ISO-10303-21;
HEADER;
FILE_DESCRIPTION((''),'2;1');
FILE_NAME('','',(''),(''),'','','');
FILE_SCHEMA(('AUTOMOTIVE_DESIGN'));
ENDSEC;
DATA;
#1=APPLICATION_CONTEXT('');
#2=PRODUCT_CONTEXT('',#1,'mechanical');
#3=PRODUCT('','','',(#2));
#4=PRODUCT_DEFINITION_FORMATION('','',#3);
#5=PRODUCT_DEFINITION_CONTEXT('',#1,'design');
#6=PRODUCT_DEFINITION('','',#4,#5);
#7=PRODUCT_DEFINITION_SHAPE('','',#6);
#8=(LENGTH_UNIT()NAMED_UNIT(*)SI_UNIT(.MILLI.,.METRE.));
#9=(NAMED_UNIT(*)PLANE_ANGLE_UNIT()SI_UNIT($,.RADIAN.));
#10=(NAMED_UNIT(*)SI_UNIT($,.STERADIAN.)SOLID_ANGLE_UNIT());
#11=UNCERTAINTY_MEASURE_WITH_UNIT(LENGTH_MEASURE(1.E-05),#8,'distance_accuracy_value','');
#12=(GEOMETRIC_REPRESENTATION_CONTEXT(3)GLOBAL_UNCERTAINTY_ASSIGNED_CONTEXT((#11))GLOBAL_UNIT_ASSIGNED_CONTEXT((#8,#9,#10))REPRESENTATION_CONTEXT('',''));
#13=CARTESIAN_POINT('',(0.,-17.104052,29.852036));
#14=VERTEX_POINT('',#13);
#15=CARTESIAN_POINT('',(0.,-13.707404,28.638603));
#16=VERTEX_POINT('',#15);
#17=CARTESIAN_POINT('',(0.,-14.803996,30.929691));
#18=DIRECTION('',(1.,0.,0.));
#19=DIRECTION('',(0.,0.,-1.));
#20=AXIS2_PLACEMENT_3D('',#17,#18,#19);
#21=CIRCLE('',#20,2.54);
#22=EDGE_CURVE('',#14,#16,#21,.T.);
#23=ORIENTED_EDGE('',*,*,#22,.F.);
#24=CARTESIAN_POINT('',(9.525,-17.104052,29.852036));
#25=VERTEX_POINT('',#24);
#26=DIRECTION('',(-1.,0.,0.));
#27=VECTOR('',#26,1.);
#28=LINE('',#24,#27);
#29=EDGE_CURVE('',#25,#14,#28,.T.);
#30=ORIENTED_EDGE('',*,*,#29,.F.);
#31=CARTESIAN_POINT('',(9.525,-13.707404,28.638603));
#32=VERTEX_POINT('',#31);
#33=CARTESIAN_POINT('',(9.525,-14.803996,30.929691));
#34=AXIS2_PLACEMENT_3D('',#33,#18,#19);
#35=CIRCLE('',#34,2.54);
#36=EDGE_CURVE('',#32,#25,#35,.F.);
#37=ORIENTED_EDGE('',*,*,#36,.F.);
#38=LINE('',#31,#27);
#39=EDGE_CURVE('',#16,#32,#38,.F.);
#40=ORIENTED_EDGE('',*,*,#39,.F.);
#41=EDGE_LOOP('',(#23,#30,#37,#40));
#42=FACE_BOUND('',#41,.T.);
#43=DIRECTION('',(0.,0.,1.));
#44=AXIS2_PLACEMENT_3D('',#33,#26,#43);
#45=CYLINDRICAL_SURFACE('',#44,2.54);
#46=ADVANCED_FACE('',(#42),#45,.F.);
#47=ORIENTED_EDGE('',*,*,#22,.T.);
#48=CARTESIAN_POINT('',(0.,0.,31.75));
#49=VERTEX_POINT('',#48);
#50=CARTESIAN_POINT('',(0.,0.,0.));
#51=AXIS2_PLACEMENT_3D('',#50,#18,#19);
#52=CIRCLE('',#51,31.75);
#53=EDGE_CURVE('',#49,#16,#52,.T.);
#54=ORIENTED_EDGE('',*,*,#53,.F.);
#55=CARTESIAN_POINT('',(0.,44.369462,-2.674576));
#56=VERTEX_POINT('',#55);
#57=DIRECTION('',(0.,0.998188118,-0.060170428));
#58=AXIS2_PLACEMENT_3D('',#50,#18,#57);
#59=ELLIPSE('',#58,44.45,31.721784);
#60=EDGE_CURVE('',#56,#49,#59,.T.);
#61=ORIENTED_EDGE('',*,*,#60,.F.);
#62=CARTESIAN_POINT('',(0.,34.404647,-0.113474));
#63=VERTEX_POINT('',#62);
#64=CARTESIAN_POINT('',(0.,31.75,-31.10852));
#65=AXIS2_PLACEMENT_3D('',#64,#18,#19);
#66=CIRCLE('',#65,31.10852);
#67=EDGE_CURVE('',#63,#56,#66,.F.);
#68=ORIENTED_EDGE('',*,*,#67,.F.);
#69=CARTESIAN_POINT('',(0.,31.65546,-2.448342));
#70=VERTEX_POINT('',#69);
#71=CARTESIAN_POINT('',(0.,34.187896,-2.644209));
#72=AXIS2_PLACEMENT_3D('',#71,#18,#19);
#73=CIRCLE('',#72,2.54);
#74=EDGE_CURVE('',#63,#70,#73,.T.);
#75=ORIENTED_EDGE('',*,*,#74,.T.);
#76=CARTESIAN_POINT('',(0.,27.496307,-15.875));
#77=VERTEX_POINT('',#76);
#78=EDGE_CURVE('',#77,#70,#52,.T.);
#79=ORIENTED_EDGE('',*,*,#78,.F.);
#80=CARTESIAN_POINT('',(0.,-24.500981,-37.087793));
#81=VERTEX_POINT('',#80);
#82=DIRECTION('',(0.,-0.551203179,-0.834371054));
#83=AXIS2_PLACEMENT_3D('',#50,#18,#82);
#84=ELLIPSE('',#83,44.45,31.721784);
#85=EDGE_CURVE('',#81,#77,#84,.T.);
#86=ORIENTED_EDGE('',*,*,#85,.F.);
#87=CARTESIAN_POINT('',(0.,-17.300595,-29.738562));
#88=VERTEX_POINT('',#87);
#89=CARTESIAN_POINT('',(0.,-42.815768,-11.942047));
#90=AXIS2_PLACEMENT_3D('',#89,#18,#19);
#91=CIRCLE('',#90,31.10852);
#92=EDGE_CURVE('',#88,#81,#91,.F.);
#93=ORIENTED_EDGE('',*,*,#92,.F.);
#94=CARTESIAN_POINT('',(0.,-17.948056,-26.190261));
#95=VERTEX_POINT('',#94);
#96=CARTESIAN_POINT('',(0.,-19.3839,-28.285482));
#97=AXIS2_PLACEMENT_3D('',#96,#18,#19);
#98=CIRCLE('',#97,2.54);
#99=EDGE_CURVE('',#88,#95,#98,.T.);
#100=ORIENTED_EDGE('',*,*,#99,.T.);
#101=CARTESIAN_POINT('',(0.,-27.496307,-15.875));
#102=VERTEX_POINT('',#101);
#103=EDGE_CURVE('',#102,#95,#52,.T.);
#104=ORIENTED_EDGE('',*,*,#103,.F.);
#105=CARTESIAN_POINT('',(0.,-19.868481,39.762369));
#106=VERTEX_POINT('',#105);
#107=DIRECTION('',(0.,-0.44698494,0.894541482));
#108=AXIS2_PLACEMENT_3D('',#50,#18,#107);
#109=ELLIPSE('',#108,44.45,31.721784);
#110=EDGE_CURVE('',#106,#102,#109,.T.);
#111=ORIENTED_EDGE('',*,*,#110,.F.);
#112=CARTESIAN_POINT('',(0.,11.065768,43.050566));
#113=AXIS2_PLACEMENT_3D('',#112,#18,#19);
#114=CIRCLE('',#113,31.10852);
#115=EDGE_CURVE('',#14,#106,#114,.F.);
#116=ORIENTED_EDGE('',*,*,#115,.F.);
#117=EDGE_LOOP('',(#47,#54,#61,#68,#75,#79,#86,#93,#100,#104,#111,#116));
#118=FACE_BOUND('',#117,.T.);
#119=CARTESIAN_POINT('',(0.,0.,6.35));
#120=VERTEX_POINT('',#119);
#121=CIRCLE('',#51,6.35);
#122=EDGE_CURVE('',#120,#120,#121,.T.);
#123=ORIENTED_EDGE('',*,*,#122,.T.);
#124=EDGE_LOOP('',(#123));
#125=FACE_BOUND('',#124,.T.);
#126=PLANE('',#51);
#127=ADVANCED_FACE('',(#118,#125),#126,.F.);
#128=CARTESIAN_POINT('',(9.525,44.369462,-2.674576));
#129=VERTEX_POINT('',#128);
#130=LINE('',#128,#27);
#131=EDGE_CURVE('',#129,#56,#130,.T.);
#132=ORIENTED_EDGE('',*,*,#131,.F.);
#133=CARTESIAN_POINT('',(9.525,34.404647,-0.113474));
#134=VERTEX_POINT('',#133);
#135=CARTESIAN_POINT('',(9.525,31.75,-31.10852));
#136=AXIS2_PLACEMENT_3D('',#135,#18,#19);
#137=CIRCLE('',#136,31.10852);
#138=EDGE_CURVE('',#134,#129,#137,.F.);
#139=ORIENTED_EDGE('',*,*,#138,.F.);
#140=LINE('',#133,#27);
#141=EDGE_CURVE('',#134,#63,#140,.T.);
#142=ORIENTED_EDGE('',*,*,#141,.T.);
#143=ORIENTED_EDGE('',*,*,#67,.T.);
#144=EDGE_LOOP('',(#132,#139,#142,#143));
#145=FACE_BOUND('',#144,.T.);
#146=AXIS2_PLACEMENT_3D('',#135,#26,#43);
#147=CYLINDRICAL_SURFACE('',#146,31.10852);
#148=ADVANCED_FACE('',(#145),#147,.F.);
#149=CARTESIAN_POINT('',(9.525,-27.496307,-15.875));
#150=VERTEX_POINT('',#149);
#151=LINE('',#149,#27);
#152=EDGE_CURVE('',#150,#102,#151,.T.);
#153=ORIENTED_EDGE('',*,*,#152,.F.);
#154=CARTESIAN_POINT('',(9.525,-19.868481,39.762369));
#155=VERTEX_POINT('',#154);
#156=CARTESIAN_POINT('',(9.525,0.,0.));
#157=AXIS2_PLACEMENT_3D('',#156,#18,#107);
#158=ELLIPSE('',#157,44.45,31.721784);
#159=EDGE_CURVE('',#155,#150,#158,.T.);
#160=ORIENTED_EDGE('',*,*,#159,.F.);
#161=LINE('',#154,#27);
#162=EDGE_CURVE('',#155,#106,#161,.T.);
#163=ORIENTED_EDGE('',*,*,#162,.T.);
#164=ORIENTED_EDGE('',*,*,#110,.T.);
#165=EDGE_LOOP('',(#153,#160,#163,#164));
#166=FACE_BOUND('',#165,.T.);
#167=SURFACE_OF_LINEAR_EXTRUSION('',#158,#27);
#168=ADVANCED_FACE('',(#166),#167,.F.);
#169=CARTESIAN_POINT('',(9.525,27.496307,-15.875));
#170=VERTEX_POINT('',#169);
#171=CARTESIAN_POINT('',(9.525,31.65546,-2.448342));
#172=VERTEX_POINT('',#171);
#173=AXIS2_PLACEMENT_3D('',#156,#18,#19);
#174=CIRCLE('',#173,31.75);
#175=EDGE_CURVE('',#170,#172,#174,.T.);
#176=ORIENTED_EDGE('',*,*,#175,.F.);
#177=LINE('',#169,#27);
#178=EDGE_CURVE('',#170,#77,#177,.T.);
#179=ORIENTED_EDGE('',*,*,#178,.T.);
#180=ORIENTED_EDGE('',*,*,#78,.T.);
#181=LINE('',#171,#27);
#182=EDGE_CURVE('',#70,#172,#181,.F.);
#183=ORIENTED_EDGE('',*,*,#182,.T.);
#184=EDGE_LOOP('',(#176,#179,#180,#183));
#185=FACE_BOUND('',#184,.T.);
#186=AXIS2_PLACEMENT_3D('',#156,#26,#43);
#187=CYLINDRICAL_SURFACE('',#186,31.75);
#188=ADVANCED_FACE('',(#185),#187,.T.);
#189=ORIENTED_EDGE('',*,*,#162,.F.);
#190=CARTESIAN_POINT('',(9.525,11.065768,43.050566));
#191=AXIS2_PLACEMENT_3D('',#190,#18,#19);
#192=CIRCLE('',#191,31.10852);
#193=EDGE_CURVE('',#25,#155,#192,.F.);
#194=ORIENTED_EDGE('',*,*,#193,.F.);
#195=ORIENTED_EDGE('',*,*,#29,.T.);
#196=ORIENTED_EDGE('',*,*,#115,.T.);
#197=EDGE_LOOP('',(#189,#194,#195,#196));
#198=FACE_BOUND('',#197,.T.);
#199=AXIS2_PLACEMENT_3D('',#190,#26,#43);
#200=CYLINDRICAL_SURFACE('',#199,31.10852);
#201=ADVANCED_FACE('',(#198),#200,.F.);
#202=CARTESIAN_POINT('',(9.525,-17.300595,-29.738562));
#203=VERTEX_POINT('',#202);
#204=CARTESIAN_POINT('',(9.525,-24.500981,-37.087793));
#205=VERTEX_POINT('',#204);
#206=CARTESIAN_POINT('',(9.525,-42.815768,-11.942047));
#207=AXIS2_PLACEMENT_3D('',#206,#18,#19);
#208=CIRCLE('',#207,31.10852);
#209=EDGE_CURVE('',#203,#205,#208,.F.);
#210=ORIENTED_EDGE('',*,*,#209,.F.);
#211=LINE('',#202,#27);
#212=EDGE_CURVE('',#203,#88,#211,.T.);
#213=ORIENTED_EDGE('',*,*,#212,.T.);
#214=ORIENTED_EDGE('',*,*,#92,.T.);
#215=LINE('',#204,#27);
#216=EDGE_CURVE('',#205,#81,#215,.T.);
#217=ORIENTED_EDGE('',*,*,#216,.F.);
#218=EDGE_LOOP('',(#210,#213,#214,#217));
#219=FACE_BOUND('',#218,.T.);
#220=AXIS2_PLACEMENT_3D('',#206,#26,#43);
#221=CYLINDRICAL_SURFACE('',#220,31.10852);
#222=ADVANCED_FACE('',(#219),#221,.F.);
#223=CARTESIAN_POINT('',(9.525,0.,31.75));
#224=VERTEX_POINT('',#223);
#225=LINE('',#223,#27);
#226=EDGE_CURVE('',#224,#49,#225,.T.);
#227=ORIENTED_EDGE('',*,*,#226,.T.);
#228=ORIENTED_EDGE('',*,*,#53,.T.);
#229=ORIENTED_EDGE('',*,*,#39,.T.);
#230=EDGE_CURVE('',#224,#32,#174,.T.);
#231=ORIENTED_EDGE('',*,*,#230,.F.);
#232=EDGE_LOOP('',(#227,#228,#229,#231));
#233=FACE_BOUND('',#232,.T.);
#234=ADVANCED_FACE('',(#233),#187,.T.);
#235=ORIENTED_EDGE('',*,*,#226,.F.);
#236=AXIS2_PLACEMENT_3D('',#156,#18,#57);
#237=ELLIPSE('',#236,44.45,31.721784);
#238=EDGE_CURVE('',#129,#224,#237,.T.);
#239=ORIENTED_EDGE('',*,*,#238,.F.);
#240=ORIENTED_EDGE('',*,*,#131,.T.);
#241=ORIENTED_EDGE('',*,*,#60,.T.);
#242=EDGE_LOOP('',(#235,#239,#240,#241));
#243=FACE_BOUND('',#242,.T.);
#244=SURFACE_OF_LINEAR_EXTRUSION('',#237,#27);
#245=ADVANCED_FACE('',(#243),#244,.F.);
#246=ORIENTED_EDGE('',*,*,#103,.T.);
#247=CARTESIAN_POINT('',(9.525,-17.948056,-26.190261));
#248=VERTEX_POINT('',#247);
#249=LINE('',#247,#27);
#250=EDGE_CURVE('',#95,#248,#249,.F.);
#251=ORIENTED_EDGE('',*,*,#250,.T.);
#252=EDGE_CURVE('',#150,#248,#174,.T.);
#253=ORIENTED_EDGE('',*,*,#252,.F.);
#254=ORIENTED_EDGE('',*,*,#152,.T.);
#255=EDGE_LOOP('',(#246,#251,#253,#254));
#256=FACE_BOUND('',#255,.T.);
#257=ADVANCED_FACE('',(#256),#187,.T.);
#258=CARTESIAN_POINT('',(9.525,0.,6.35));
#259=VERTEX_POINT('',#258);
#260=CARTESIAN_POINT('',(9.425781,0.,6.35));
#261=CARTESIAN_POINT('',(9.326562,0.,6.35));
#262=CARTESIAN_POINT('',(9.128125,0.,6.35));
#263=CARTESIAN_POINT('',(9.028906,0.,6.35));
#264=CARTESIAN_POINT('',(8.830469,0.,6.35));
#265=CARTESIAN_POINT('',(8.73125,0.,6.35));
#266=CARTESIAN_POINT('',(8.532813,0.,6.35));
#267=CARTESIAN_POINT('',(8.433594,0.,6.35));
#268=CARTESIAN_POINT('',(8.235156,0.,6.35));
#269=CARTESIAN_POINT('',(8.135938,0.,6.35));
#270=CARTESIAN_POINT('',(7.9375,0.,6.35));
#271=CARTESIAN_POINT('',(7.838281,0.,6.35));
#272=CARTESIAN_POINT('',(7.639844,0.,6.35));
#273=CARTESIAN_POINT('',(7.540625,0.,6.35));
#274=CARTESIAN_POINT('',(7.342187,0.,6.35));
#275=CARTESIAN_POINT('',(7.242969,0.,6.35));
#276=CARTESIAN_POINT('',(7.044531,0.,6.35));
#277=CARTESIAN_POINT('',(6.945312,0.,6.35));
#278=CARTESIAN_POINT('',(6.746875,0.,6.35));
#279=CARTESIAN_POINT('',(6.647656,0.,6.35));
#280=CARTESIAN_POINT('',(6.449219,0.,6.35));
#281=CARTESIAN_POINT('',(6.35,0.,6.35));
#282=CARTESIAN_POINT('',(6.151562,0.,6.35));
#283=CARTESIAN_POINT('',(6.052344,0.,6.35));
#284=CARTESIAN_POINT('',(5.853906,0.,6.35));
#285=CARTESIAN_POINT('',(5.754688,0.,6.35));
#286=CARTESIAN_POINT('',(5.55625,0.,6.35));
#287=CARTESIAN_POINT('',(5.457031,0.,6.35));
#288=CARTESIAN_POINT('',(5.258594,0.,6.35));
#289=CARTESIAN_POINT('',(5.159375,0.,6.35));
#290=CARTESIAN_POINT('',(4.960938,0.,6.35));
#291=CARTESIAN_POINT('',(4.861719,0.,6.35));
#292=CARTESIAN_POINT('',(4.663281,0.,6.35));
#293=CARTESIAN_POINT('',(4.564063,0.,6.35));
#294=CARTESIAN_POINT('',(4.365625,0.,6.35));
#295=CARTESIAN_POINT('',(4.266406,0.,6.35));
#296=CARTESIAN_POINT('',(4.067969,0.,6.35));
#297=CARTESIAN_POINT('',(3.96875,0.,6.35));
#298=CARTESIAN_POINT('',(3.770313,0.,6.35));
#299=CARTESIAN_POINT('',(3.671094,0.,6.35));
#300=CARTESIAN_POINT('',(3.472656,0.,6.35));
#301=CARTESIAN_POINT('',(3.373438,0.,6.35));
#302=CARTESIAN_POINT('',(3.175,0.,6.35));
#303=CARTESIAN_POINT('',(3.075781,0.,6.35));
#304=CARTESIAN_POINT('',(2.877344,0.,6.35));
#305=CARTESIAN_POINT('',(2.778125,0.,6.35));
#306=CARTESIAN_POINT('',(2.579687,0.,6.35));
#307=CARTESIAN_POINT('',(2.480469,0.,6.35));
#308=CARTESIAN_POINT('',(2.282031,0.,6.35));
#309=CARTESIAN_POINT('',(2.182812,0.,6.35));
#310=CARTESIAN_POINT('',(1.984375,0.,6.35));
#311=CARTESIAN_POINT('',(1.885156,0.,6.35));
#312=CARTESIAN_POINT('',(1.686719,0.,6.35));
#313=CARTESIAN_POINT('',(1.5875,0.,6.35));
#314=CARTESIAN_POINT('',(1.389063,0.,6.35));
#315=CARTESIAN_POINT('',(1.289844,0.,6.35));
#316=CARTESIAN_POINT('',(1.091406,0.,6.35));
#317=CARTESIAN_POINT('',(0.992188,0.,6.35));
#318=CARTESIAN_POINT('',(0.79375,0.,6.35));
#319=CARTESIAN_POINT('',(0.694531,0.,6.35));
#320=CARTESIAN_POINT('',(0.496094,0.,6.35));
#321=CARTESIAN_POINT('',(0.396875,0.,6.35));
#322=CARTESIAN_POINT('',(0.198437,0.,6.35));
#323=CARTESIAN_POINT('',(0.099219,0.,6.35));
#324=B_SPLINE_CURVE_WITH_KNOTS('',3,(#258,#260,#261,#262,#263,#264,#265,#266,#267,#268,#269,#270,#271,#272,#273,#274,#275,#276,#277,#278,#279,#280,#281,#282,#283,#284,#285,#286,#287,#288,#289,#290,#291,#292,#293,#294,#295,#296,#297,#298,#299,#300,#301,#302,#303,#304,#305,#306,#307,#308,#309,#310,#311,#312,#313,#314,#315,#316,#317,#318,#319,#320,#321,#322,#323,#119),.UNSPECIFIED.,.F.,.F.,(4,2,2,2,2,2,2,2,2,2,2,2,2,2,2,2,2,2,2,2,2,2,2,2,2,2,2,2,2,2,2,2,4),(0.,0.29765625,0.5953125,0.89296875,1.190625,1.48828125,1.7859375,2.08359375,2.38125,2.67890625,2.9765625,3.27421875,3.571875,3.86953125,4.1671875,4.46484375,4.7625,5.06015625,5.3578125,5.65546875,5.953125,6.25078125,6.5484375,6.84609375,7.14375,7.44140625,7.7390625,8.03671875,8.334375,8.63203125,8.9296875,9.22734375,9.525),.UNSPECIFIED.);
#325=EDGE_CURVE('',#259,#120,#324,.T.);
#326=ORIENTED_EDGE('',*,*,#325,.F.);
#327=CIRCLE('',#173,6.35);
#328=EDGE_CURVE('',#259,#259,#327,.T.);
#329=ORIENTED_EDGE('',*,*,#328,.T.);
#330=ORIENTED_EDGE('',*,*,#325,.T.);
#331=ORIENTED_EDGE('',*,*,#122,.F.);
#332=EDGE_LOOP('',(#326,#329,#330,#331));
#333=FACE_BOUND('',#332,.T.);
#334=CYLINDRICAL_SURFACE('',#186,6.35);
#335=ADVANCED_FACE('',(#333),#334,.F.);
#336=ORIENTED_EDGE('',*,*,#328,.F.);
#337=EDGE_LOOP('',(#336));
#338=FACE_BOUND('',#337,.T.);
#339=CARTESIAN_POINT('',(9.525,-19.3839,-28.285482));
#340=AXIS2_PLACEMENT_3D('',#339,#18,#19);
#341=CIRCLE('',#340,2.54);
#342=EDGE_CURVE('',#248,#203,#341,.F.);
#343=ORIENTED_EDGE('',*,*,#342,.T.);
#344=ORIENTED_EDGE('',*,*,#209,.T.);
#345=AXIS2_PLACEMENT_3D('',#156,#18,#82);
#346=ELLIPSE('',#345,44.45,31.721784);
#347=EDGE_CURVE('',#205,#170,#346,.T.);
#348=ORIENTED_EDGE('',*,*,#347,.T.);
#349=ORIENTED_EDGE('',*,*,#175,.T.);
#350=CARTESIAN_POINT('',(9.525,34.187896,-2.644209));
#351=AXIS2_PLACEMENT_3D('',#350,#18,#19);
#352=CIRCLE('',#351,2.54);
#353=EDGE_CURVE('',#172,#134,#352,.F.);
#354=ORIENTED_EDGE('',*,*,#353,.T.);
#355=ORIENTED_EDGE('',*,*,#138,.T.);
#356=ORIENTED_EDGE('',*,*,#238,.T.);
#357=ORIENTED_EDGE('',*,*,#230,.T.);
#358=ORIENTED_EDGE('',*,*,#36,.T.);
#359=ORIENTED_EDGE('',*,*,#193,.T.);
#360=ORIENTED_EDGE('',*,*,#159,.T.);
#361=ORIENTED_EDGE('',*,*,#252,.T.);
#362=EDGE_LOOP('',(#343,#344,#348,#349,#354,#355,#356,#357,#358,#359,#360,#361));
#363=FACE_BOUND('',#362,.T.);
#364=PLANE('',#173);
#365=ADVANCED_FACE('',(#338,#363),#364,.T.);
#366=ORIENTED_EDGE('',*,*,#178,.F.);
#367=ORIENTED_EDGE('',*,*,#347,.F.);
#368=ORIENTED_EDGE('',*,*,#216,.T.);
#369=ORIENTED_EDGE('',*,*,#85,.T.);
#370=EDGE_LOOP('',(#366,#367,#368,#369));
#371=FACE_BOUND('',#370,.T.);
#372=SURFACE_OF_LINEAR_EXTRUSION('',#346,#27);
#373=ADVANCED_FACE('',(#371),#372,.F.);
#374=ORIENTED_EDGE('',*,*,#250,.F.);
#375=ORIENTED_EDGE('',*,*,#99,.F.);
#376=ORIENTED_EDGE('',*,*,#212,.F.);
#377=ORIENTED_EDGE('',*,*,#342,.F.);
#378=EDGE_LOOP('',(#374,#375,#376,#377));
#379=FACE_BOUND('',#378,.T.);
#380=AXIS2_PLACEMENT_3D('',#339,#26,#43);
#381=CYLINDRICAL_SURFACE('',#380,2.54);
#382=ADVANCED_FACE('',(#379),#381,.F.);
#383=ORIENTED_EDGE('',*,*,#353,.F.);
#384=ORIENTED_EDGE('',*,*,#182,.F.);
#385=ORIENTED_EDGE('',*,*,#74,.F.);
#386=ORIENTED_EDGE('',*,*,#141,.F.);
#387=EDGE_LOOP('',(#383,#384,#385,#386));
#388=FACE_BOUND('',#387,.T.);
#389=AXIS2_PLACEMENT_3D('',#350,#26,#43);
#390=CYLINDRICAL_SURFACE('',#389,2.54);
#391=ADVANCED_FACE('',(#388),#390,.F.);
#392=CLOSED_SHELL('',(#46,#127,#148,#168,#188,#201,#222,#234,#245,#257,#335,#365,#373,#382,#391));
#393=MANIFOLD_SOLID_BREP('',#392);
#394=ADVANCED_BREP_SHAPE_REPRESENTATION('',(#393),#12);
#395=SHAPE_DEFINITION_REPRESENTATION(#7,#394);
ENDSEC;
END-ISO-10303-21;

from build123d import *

# Parameters (mm, degrees)
SKETCH1_R           = 6.35
BOSS_EXTRUDE3_DEPTH = 9.525
FILLET3_R           = 2.54


with BuildPart() as part:
    # Sketch1 → Boss-Extrude3 (new body)
    # profile 1 of 4: a face of its own
    with BuildSketch(Plane(origin=(0, 0, 0), x_dir=(0, 0, -1), z_dir=(1, 0, 0))):
        with BuildLine():
            ThreePointArc((-31.520099492, 3.813899322), (-21.059097755, 23.760827043), (0, 31.75))
            ThreePointArc((0, 31.75), (0.675988504, 38.199887052), (2.67457554, 44.369461859))
            add(Edge.make_bspline(
                [(2.67457554, 44.369461859), (-27.656863026, 46.197830298), (-31.520099492, 3.813899322)],
                knots=[3.141592654, 3.141592654, 3.141592654, 4.660979846, 4.660979846, 4.660979846], degree=2, weights=[1, 0.709776495, 0.966045781]))
        make_face()
    # profile 2 of 4: a face of its own
    with BuildSketch(Plane(origin=(0, 0, 0), x_dir=(0, 0, -1), z_dir=(1, 0, 0))):
        with BuildLine():
            add(Edge.make_bspline(
                [(19.062983446, 25.390257228), (17.50131988, 26.492217898), (15.875, 27.49630657)],
                knots=[1.519387193, 1.519387193, 1.519387193, 1.613788447, 1.613788447, 1.613788447], degree=2, weights=[0.966045781, 0.981968084, 1]))
            ThreePointArc((15.875, 27.49630657), (8.217504682, 30.668144985), (0, 31.75))
            ThreePointArc((0, 31.75), (-21.059097755, 23.760827043), (-31.520099492, 3.813899322))
            add(Edge.make_bspline(
                [(-31.520099492, 3.813899322), (-31.693593642, 1.910478667), (-31.75, 0)],
                knots=[4.660979846, 4.660979846, 4.660979846, 4.7553811, 4.7553811, 4.7553811], degree=2, weights=[0.966045781, 0.981968084, 1]))
            ThreePointArc((-31.75, 0), (-30.668144985, -8.217504682), (-27.49630657, -15.875))
            ThreePointArc((-27.49630657, -15.875), (-10.047930956, -30.118127158), (12.457116045, -29.204156551))
            add(Edge.make_bspline(
                [(12.457116045, -29.204156551), (14.192273762, -28.402696564), (15.875, -27.49630657)],
                knots=[1.519387193, 1.519387193, 1.519387193, 1.613788447, 1.613788447, 1.613788447], degree=2, weights=[0.966045781, 0.981968084, 1]))
            ThreePointArc((15.875, -27.49630657), (22.450640303, -22.450640303), (27.49630657, -15.875))
            ThreePointArc((27.49630657, -15.875), (30.668144985, -8.217504682), (31.75, 0))
            ThreePointArc((31.75, 0), (28.401692066, 14.191771834), (19.062983446, 25.390257228))
        make_face()
        with Locations(Location((0, 0, 0), (0, 0, 180))):
            Circle(SKETCH1_R, mode=Mode.SUBTRACT)
    # profile 3 of 4: a face of its own
    with BuildSketch(Plane(origin=(0, 0, 0), x_dir=(0, 0, -1), z_dir=(1, 0, 0))):
        with BuildLine():
            add(Edge.make_bspline(
                [(37.087793352, -24.500981292), (53.836926151, 0.852630821), (19.062983446, 25.390257228)],
                knots=[0, 0, 0, 1.519387193, 1.519387193, 1.519387193], degree=2, weights=[1, 0.709776495, 0.966045781]))
            ThreePointArc((19.062983446, 25.390257228), (28.401692066, 14.191771834), (31.75, 0))
            ThreePointArc((31.75, 0), (30.668144985, -8.217504682), (27.49630657, -15.875))
            ThreePointArc((27.49630657, -15.875), (32.744078357, -19.685366743), (37.087793352, -24.500981292))
        make_face()
    # profile 4 of 4: a face of its own
    with BuildSketch(Plane(origin=(0, 0, 0), x_dir=(0, 0, -1), z_dir=(1, 0, 0))):
        with BuildLine():
            ThreePointArc((-27.49630657, -15.875), (-33.420066861, -18.514520309), (-39.762368892, -19.868480568))
            add(Edge.make_bspline(
                [(-39.762368892, -19.868480568), (-26.180063124, -47.050461119), (12.457116045, -29.204156551)],
                knots=[0, 0, 0, 1.519387193, 1.519387193, 1.519387193], degree=2, weights=[1, 0.709776495, 0.966045781]))
            ThreePointArc((12.457116045, -29.204156551), (-10.047930956, -30.118127158), (-27.49630657, -15.875))
        make_face()
    extrude(amount=BOSS_EXTRUDE3_DEPTH)

    # Fillet3
    fillet3_edges = [part.edges().sort_by_distance(p)[0] for p in [
        (4.7625, 31.75, 0),
        (4.7625, -15.875, -27.49630657),
        (4.7625, -15.875, 27.49630657),
    ]]
    fillet(fillet3_edges, radius=FILLET3_R)


solid = part.part
